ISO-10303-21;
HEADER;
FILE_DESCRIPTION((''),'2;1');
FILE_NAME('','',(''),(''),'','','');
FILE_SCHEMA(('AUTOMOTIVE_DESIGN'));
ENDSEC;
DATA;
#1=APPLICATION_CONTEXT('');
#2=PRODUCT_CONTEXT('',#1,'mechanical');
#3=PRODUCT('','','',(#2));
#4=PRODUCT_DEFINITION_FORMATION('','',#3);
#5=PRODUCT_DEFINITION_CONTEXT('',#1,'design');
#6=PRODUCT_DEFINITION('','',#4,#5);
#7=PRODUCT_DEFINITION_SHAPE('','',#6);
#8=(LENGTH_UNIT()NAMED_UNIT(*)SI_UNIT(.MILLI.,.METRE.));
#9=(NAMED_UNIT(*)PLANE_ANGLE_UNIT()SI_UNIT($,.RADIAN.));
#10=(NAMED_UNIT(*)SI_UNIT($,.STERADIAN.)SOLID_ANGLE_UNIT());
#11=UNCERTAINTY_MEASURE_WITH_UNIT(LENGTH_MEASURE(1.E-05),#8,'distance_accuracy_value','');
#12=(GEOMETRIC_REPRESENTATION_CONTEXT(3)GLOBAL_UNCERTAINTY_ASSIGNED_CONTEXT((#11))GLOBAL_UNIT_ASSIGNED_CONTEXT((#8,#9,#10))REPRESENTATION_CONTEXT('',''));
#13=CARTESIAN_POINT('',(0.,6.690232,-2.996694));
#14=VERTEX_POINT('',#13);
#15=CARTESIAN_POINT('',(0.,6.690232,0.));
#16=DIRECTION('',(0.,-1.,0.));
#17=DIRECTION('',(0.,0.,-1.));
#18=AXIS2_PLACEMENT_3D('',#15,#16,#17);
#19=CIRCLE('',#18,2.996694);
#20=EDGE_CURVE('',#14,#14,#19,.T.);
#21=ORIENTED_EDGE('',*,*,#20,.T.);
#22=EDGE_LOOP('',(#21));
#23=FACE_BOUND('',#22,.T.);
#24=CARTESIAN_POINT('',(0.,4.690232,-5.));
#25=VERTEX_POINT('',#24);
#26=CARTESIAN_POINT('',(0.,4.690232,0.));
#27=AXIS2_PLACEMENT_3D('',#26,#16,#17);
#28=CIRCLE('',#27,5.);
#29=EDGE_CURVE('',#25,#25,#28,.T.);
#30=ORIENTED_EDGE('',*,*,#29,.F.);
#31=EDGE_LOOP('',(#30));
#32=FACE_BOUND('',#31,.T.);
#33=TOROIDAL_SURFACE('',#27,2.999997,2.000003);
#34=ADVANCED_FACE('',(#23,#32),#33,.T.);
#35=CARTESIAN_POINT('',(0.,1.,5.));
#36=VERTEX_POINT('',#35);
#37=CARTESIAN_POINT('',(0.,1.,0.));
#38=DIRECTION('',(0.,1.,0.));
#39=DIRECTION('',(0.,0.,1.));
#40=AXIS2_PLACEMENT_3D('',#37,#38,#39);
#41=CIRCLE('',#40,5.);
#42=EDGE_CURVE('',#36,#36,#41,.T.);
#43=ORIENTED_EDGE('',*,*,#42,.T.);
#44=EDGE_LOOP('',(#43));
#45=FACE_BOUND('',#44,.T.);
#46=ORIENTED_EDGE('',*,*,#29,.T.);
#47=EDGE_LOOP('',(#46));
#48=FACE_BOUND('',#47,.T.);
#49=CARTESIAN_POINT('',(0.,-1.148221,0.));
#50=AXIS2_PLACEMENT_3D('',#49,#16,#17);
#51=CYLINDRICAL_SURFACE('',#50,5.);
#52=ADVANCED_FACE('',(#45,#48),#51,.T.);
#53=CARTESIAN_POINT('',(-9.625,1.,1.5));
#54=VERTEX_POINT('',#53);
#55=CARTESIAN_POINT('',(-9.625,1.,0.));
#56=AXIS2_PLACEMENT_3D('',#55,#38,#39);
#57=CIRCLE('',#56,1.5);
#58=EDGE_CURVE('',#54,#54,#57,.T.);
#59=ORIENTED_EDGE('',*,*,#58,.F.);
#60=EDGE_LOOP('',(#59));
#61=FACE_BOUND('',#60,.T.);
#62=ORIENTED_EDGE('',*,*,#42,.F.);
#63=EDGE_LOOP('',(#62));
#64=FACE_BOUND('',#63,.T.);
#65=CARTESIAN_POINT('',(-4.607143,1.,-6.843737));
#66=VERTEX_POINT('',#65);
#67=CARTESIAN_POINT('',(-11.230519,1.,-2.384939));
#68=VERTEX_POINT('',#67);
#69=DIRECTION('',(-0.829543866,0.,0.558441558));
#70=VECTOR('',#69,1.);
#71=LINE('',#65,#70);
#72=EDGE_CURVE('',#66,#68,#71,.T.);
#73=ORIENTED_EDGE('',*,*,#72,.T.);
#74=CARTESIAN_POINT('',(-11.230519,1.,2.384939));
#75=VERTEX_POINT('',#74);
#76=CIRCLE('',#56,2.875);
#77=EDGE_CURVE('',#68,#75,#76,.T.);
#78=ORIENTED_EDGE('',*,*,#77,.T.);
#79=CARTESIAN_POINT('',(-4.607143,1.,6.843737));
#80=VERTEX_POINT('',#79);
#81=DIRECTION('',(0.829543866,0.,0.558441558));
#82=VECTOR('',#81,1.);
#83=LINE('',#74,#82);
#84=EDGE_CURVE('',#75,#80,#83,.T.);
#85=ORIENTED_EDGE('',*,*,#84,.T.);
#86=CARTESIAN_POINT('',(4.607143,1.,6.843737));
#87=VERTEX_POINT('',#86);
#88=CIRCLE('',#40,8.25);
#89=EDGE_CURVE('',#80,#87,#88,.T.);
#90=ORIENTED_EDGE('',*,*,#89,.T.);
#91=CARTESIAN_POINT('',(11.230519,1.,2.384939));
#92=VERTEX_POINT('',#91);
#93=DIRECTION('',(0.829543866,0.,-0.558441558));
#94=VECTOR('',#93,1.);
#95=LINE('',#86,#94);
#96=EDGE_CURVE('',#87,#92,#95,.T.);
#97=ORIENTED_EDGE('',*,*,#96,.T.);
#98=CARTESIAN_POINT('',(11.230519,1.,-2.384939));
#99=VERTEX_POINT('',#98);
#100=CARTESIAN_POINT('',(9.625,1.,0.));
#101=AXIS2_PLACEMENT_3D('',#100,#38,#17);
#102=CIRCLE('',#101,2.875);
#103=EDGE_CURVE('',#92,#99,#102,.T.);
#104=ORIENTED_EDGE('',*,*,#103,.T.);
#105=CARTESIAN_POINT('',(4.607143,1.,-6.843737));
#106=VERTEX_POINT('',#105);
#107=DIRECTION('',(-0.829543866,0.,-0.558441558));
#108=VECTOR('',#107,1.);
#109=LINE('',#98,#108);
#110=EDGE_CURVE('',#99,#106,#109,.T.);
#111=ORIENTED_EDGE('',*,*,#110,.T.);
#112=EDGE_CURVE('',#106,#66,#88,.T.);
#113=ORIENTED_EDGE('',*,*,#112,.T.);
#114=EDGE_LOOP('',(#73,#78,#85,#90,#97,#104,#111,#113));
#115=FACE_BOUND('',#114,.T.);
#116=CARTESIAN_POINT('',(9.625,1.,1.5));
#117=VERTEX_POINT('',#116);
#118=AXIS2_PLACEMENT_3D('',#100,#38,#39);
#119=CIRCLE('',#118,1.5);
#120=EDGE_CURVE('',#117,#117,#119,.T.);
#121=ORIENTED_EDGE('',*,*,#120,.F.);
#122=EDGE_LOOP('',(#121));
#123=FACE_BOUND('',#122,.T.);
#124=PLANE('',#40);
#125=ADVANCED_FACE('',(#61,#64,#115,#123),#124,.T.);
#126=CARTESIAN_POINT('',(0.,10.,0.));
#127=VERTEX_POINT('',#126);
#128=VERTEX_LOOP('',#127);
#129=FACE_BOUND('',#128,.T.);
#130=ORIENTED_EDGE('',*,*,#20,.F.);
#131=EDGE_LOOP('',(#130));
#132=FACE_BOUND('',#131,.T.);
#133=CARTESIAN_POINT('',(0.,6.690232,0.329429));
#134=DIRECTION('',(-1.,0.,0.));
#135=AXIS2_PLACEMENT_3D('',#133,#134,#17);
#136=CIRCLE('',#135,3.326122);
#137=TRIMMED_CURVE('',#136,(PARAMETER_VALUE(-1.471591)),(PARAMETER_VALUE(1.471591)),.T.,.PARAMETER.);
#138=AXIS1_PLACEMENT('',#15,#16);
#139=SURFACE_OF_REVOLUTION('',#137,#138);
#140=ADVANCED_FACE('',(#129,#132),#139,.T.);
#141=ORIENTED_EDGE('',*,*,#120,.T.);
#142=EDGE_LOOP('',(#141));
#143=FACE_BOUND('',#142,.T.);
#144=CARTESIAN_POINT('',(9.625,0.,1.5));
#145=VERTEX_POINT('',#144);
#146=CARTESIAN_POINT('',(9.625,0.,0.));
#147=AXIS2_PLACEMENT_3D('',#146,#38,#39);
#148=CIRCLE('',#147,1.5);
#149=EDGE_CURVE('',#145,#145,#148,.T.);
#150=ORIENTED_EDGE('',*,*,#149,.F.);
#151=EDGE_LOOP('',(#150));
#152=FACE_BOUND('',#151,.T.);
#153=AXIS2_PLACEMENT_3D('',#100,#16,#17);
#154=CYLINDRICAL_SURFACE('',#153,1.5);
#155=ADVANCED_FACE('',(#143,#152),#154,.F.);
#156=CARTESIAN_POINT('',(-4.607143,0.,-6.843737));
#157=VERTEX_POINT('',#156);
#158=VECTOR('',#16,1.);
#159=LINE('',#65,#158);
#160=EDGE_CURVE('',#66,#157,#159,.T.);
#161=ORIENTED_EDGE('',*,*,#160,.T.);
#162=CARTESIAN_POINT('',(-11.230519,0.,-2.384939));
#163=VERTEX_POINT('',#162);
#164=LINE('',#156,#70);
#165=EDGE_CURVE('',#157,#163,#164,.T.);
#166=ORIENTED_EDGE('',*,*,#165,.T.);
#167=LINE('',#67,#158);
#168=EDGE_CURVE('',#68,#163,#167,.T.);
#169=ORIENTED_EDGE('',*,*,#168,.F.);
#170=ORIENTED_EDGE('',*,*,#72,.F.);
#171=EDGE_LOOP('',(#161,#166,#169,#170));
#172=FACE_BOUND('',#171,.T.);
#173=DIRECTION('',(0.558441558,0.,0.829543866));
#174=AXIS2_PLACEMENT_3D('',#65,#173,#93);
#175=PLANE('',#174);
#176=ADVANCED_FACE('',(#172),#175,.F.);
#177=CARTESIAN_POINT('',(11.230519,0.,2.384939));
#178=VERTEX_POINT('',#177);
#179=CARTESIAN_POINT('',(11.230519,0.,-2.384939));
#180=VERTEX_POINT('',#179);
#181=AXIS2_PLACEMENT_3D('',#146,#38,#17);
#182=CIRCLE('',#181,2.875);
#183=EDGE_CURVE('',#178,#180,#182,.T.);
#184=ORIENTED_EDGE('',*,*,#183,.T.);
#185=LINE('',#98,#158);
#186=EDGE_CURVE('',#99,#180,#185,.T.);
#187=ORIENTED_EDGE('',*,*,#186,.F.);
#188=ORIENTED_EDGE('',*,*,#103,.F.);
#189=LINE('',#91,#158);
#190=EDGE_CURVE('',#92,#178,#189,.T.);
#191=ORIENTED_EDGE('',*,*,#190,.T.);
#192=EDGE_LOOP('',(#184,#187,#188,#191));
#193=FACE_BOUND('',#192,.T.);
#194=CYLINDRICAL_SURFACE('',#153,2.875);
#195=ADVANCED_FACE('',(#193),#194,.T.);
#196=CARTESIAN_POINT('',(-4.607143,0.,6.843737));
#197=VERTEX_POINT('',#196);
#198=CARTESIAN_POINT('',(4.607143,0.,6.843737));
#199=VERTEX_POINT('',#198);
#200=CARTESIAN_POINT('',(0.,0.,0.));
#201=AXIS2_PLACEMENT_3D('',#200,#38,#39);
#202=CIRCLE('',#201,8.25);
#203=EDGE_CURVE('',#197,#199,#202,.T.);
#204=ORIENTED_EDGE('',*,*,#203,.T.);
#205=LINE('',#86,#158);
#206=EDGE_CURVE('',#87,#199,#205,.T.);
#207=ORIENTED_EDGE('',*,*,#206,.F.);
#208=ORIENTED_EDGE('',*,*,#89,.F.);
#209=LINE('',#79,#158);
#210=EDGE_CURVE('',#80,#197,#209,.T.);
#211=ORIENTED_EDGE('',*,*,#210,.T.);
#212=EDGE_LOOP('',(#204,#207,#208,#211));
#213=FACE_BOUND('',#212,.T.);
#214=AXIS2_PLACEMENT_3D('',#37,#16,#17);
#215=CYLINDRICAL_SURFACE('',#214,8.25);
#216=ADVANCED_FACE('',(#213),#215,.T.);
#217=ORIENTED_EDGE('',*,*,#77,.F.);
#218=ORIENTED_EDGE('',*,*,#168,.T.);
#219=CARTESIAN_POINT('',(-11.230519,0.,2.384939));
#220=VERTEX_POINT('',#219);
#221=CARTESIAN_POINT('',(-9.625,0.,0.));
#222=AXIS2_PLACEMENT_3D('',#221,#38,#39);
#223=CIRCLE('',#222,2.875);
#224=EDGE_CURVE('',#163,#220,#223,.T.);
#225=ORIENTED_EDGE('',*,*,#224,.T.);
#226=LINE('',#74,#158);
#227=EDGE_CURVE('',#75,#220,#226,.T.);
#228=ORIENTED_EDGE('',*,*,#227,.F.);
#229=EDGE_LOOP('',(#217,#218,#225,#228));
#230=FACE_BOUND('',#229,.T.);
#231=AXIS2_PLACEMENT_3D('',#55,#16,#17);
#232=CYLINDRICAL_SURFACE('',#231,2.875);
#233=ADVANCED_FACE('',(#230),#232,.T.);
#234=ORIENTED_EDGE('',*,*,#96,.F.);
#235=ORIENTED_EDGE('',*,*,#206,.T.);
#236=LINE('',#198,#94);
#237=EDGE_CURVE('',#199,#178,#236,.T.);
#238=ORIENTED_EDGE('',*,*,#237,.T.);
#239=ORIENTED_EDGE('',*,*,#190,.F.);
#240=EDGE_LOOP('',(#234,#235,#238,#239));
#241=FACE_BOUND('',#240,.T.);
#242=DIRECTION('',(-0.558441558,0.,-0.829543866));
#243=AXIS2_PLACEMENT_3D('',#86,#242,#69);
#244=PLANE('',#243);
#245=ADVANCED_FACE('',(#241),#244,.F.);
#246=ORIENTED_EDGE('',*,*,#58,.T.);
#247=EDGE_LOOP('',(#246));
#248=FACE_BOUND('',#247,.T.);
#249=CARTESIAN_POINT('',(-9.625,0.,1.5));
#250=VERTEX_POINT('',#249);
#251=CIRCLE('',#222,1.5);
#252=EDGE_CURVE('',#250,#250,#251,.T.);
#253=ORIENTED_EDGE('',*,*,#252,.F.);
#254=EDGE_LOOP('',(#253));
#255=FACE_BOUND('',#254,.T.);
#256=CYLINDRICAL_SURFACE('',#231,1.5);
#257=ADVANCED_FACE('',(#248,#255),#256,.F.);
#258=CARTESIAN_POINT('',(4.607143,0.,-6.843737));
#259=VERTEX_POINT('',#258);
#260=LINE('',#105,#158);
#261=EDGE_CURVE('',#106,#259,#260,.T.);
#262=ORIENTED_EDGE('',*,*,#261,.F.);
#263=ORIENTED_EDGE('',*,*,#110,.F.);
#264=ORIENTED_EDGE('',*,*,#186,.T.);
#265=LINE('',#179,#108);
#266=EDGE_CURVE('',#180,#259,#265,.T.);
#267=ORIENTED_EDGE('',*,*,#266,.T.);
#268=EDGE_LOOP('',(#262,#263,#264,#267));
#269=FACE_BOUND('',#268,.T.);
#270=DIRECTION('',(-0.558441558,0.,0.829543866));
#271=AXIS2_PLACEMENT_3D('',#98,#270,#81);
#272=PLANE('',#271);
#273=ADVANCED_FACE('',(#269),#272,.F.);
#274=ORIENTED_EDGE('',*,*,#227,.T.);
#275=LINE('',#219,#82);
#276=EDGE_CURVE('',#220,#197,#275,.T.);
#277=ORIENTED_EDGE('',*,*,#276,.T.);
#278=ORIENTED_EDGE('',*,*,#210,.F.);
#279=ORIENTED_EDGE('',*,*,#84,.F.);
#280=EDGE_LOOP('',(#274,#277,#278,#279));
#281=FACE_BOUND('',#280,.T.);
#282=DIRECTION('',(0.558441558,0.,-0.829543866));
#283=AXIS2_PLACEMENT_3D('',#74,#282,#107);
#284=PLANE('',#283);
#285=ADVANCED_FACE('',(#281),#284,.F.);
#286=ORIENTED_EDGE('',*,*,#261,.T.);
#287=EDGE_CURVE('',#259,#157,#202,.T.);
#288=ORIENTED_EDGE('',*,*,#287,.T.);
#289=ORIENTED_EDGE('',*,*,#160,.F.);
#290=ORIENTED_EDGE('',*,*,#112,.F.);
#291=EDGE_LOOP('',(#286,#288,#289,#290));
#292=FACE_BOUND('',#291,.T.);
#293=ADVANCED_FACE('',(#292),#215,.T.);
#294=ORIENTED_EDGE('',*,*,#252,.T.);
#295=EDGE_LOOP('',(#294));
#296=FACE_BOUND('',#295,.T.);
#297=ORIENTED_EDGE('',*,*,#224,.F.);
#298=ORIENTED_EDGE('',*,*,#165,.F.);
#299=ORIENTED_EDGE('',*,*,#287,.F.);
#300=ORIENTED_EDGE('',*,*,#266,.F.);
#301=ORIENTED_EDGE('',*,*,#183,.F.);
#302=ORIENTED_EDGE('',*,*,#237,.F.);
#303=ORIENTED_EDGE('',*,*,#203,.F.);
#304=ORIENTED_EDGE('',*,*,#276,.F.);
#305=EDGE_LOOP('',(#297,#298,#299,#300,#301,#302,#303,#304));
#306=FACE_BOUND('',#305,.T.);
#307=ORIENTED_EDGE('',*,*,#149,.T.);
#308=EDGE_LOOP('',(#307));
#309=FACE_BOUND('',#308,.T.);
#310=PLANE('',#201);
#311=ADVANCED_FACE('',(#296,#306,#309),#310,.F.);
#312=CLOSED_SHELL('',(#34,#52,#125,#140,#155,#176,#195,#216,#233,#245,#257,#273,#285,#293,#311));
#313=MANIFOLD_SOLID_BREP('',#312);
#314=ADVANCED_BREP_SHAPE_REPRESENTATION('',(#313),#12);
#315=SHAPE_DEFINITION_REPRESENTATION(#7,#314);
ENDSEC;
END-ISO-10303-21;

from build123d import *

# Parameters (mm, degrees)
SKETCH2_R          = 1.5
BOSS_EXTRU_1_DEPTH = 1
ESQUISSE1_W        = 5
ESQUISSE1_H        = 3.690231621


with BuildPart() as part:
    # Sketch2 → Boss.-Extru.1 (new body)
    with BuildSketch(Plane(origin=(0, 0, 0), x_dir=(1, 0, 0), z_dir=(0, 1, 0))):
        with BuildLine():
            Line((-4.607142857, 6.843736895), (-11.230519481, 2.384938615))
            ThreePointArc((-11.230519481, 2.384938615), (-12.5, 0), (-11.230519481, -2.384938615))
            Line((-11.230519481, -2.384938615), (-4.607142857, -6.843736895))
            ThreePointArc((-4.607142857, -6.843736895), (0, -8.25), (4.607142857, -6.843736895))
            Line((4.607142857, -6.843736895), (11.230519481, -2.384938615))
            ThreePointArc((11.230519481, -2.384938615), (12.5, 0), (11.230519481, 2.384938615))
            Line((11.230519481, 2.384938615), (4.607142857, 6.843736895))
            ThreePointArc((4.607142857, 6.843736895), (0, 8.25), (-4.607142857, 6.843736895))
        make_face()
        with Locations(Location((-9.625, 0, 0), (0, 0, 270))):
            Circle(SKETCH2_R, mode=Mode.SUBTRACT)
        with Locations(Location((9.625, 0, 0), (0, 0, 270))):
            Circle(SKETCH2_R, mode=Mode.SUBTRACT)
    extrude(amount=BOSS_EXTRU_1_DEPTH)

    # Esquisse1 → Révolution1 (revolve)
    with BuildSketch(Plane.XY, mode=Mode.PRIVATE) as r_volution1_sk:
        with BuildLine():
            ThreePointArc((0, 10), (-2.136216237, 8.92264844), (-2.996693627, 6.690231621))
            Line((-2.996693627, 6.690231621), (0, 6.690231621))
            Line((0, 6.690231621), (0, 10))
        make_face()
        with BuildLine():
            ThreePointArc((-2.996693627, 6.690231621), (-4.413044266, 6.105614645), (-5, 4.690231621))
            Line((-5, 4.690231621), (0, 4.690231621))
            Line((0, 4.690231621), (0, 6.690231621))
            Line((0, 6.690231621), (-2.996693627, 6.690231621))
        make_face()
        with Locations((-2.5, 2.845115811)):
            Rectangle(ESQUISSE1_W, ESQUISSE1_H)
    revolve(r_volution1_sk.sketch.rotate(Axis((0, -1.148221133, 0), (0, 1, 0)), 270), axis=Axis((0, -1.148221133, 0), (0, 1, 0)))


solid = part.part
